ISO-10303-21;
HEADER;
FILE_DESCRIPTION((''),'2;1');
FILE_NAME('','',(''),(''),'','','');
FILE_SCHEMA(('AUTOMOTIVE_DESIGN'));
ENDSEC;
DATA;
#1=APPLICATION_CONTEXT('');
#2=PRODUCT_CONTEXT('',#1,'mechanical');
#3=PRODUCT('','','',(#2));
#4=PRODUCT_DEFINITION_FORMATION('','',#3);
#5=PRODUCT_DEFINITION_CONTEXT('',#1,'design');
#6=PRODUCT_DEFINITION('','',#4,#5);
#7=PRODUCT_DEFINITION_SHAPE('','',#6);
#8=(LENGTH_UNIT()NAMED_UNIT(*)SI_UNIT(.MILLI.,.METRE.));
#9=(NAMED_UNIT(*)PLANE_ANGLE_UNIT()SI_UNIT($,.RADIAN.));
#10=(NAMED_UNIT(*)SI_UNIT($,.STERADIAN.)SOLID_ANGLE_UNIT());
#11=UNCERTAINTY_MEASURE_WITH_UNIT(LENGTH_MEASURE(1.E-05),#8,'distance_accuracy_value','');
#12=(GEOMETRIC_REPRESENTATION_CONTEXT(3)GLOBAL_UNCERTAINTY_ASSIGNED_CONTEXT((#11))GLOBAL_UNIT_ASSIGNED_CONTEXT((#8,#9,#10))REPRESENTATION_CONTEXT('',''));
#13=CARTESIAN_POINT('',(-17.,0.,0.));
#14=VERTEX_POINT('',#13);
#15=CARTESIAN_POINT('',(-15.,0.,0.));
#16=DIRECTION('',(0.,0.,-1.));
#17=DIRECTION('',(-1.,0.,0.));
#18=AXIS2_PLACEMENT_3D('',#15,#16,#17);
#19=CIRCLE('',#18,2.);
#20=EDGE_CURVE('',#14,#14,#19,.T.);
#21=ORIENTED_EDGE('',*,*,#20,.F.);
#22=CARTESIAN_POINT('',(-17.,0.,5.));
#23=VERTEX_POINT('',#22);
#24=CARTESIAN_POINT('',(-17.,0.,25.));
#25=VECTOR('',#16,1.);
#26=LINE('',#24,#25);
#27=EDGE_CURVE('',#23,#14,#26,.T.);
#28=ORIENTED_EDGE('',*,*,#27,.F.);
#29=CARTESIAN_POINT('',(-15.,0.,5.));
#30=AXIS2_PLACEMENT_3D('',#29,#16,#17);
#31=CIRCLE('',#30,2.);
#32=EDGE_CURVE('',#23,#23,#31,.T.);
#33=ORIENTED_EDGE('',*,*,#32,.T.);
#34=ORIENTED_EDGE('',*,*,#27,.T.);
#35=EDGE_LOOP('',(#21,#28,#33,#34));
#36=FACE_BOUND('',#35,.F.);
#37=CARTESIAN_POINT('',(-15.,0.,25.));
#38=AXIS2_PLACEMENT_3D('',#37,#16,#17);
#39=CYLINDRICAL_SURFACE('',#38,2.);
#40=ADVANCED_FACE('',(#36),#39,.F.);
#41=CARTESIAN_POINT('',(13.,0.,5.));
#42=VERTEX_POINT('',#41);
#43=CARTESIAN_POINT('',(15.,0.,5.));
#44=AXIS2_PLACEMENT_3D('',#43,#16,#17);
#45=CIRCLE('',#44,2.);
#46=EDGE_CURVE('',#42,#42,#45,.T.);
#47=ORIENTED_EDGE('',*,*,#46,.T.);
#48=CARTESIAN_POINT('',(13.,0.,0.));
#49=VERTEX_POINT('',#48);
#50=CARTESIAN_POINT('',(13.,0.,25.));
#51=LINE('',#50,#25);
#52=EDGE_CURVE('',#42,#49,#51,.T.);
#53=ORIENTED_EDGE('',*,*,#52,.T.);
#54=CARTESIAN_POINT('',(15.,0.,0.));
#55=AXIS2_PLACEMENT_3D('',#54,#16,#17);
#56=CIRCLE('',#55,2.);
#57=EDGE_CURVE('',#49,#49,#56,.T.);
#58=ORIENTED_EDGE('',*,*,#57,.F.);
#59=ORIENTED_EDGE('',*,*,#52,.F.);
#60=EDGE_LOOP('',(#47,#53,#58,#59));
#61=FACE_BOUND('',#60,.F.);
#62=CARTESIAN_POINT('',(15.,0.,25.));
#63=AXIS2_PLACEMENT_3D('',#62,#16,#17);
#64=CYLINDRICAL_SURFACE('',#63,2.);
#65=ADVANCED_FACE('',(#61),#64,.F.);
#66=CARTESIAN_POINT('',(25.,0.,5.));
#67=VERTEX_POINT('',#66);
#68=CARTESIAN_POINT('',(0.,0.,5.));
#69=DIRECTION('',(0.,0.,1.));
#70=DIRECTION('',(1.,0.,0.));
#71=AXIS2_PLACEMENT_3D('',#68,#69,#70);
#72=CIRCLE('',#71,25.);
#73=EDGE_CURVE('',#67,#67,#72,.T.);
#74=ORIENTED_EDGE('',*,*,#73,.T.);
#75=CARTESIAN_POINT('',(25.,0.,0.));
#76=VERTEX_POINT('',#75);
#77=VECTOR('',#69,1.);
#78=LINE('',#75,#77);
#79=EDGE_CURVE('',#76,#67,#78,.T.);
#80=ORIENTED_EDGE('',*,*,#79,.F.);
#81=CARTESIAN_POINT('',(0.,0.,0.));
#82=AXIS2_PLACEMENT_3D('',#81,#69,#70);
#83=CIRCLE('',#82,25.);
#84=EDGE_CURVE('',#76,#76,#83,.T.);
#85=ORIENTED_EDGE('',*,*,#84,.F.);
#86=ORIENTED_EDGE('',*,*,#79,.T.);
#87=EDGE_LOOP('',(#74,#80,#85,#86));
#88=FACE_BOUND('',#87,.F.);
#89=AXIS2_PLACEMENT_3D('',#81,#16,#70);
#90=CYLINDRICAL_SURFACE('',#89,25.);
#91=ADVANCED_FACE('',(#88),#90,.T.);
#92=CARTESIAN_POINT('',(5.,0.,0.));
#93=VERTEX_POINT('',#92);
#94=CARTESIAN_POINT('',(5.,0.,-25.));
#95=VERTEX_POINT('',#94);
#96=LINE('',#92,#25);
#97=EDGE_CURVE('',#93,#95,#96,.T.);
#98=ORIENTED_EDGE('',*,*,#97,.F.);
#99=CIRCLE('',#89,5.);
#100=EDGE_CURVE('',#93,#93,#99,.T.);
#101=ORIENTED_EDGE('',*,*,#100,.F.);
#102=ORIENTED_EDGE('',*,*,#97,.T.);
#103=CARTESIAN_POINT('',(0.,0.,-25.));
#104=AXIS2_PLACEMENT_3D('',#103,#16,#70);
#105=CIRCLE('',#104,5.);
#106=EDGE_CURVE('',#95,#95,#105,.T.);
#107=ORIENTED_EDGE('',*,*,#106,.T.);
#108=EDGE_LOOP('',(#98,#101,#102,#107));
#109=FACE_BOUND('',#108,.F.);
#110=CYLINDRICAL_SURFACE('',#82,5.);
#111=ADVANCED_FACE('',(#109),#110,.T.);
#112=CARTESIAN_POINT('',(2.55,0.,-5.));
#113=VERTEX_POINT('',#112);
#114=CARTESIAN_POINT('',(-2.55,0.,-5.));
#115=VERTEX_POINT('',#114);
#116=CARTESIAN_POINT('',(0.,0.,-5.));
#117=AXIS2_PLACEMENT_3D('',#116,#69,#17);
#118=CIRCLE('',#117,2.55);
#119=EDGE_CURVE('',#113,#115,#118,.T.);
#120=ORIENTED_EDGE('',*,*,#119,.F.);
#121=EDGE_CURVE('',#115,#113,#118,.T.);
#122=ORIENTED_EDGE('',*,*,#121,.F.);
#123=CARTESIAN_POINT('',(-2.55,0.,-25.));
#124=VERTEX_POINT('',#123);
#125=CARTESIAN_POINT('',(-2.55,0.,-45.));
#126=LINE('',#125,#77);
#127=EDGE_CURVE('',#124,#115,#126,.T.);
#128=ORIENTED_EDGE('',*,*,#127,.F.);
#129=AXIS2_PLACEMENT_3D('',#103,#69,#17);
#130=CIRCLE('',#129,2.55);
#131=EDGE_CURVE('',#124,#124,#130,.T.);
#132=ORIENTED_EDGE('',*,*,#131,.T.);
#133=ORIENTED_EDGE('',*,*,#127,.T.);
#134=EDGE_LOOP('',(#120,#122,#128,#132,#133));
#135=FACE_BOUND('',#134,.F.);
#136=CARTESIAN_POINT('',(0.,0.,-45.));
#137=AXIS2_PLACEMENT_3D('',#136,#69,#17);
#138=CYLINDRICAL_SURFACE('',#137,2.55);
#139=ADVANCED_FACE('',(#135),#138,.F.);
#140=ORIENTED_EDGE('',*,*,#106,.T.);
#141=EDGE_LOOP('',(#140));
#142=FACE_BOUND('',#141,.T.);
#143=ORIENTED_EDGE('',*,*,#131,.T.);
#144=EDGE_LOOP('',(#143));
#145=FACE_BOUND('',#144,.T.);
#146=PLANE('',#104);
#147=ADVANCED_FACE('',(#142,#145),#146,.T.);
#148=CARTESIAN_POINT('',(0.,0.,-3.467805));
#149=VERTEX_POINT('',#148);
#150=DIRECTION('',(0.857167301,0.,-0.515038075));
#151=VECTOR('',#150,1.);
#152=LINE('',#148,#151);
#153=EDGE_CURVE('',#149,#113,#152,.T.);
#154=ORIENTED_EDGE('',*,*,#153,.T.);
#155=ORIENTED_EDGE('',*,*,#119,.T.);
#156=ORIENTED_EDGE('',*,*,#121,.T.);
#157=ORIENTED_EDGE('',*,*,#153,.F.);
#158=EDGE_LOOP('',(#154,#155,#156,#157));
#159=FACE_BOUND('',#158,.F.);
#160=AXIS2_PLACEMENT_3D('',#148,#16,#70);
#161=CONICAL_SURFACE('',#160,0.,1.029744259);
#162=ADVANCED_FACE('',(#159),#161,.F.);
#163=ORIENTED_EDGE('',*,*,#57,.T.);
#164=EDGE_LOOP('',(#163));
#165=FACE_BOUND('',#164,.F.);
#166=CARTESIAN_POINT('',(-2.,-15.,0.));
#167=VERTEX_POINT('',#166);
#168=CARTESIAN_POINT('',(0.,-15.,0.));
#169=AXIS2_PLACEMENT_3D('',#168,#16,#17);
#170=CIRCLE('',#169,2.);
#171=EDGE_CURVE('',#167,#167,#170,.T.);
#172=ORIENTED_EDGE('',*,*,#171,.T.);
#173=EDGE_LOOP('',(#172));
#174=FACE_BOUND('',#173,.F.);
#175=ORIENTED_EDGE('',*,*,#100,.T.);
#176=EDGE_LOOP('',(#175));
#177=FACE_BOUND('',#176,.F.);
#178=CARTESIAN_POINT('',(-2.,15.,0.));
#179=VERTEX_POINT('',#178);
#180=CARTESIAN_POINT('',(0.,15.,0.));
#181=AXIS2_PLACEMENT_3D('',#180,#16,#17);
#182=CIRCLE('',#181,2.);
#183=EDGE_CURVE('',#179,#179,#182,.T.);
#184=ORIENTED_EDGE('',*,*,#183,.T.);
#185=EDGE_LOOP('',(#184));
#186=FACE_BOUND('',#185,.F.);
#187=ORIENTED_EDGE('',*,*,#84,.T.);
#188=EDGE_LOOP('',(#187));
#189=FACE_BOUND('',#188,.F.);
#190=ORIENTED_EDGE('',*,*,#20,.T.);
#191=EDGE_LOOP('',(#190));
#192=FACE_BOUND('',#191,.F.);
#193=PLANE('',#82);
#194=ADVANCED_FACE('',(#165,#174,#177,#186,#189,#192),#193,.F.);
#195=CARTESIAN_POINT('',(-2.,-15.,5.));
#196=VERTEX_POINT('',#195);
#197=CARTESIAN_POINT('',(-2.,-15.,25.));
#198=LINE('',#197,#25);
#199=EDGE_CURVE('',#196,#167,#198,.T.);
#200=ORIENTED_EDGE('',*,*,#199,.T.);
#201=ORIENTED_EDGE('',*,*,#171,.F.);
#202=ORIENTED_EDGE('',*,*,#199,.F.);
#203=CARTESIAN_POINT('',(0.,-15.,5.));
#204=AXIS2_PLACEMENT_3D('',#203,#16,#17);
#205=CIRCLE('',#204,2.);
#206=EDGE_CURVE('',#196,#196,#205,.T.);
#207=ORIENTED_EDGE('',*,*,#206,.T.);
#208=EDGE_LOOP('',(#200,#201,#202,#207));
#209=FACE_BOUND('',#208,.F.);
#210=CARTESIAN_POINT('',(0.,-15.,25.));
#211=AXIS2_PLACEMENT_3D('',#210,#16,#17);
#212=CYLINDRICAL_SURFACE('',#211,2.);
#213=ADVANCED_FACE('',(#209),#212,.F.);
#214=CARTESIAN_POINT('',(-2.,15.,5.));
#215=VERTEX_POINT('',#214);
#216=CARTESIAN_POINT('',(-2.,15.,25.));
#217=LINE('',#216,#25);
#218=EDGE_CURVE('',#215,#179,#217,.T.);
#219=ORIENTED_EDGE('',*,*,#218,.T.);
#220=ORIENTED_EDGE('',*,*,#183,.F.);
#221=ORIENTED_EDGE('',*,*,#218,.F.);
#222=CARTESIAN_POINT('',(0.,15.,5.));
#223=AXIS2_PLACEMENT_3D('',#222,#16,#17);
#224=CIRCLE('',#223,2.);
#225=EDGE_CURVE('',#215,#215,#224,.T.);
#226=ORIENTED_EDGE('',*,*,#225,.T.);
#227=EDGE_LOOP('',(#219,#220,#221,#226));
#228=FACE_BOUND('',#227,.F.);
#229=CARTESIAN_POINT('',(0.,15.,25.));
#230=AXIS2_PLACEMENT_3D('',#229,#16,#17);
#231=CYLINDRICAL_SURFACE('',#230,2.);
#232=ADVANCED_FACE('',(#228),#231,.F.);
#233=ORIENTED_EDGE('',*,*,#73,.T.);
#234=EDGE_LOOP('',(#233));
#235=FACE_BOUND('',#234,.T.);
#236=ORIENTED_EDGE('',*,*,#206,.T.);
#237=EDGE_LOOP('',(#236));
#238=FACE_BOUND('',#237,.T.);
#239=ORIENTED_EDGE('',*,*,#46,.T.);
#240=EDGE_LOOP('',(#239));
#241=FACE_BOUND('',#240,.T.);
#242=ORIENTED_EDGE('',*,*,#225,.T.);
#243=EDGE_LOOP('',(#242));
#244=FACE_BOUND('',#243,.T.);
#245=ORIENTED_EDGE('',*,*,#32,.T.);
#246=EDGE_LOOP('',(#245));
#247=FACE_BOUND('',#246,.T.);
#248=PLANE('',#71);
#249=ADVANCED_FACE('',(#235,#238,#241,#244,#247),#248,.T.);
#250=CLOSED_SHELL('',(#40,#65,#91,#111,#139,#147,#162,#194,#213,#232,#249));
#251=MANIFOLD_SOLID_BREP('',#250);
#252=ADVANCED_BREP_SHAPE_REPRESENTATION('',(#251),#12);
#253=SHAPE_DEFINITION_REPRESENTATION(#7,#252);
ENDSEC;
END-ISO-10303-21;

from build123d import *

# Parameters (mm, degrees)
F0_R     = 25
F1_DEPTH = 5
F2_R     = 5
F3_DEPTH = 25
F5_D     = 5.1
F5_DEPTH = 20
F5_TIP   = 1.5321945785
F7_D     = 4
F7_DEPTH = 20
F7_TIP   = 1.2017212381


with BuildPart() as f1:
    # F0 (on Top) → F1 (new body)
    with BuildSketch(Plane.XY):
        Circle(F0_R)
    extrude(amount=F1_DEPTH)

    # F2 (on face) → F3 (join)
    with BuildSketch(Plane(origin=(0, 0, 0), x_dir=(1, 0, 0), z_dir=(0, 0, -1))):
        Circle(F2_R)
    extrude(amount=F3_DEPTH)

    # F5
    with Locations(Plane(origin=(0, 0, -25), x_dir=(1, 0, 0), z_dir=(0, 0, -1))):
        with Locations((0, 0)):
            Hole(F5_D / 2, depth=F5_DEPTH)
            with Locations((0, 0, -(F5_DEPTH + F5_TIP / 2))):  # 118° drill point
                Cone(0, F5_D / 2, F5_TIP, mode=Mode.SUBTRACT)

    # F7
    with Locations(Plane.XY.offset(5)):
        with Locations((0, 15), (-15, 0), (0, -15), (15, 0)):
            Hole(F7_D / 2, depth=F7_DEPTH)
            with Locations((0, 0, -(F7_DEPTH + F7_TIP / 2))):  # 118° drill point
                Cone(0, F7_D / 2, F7_TIP, mode=Mode.SUBTRACT)


solid = f1.part
